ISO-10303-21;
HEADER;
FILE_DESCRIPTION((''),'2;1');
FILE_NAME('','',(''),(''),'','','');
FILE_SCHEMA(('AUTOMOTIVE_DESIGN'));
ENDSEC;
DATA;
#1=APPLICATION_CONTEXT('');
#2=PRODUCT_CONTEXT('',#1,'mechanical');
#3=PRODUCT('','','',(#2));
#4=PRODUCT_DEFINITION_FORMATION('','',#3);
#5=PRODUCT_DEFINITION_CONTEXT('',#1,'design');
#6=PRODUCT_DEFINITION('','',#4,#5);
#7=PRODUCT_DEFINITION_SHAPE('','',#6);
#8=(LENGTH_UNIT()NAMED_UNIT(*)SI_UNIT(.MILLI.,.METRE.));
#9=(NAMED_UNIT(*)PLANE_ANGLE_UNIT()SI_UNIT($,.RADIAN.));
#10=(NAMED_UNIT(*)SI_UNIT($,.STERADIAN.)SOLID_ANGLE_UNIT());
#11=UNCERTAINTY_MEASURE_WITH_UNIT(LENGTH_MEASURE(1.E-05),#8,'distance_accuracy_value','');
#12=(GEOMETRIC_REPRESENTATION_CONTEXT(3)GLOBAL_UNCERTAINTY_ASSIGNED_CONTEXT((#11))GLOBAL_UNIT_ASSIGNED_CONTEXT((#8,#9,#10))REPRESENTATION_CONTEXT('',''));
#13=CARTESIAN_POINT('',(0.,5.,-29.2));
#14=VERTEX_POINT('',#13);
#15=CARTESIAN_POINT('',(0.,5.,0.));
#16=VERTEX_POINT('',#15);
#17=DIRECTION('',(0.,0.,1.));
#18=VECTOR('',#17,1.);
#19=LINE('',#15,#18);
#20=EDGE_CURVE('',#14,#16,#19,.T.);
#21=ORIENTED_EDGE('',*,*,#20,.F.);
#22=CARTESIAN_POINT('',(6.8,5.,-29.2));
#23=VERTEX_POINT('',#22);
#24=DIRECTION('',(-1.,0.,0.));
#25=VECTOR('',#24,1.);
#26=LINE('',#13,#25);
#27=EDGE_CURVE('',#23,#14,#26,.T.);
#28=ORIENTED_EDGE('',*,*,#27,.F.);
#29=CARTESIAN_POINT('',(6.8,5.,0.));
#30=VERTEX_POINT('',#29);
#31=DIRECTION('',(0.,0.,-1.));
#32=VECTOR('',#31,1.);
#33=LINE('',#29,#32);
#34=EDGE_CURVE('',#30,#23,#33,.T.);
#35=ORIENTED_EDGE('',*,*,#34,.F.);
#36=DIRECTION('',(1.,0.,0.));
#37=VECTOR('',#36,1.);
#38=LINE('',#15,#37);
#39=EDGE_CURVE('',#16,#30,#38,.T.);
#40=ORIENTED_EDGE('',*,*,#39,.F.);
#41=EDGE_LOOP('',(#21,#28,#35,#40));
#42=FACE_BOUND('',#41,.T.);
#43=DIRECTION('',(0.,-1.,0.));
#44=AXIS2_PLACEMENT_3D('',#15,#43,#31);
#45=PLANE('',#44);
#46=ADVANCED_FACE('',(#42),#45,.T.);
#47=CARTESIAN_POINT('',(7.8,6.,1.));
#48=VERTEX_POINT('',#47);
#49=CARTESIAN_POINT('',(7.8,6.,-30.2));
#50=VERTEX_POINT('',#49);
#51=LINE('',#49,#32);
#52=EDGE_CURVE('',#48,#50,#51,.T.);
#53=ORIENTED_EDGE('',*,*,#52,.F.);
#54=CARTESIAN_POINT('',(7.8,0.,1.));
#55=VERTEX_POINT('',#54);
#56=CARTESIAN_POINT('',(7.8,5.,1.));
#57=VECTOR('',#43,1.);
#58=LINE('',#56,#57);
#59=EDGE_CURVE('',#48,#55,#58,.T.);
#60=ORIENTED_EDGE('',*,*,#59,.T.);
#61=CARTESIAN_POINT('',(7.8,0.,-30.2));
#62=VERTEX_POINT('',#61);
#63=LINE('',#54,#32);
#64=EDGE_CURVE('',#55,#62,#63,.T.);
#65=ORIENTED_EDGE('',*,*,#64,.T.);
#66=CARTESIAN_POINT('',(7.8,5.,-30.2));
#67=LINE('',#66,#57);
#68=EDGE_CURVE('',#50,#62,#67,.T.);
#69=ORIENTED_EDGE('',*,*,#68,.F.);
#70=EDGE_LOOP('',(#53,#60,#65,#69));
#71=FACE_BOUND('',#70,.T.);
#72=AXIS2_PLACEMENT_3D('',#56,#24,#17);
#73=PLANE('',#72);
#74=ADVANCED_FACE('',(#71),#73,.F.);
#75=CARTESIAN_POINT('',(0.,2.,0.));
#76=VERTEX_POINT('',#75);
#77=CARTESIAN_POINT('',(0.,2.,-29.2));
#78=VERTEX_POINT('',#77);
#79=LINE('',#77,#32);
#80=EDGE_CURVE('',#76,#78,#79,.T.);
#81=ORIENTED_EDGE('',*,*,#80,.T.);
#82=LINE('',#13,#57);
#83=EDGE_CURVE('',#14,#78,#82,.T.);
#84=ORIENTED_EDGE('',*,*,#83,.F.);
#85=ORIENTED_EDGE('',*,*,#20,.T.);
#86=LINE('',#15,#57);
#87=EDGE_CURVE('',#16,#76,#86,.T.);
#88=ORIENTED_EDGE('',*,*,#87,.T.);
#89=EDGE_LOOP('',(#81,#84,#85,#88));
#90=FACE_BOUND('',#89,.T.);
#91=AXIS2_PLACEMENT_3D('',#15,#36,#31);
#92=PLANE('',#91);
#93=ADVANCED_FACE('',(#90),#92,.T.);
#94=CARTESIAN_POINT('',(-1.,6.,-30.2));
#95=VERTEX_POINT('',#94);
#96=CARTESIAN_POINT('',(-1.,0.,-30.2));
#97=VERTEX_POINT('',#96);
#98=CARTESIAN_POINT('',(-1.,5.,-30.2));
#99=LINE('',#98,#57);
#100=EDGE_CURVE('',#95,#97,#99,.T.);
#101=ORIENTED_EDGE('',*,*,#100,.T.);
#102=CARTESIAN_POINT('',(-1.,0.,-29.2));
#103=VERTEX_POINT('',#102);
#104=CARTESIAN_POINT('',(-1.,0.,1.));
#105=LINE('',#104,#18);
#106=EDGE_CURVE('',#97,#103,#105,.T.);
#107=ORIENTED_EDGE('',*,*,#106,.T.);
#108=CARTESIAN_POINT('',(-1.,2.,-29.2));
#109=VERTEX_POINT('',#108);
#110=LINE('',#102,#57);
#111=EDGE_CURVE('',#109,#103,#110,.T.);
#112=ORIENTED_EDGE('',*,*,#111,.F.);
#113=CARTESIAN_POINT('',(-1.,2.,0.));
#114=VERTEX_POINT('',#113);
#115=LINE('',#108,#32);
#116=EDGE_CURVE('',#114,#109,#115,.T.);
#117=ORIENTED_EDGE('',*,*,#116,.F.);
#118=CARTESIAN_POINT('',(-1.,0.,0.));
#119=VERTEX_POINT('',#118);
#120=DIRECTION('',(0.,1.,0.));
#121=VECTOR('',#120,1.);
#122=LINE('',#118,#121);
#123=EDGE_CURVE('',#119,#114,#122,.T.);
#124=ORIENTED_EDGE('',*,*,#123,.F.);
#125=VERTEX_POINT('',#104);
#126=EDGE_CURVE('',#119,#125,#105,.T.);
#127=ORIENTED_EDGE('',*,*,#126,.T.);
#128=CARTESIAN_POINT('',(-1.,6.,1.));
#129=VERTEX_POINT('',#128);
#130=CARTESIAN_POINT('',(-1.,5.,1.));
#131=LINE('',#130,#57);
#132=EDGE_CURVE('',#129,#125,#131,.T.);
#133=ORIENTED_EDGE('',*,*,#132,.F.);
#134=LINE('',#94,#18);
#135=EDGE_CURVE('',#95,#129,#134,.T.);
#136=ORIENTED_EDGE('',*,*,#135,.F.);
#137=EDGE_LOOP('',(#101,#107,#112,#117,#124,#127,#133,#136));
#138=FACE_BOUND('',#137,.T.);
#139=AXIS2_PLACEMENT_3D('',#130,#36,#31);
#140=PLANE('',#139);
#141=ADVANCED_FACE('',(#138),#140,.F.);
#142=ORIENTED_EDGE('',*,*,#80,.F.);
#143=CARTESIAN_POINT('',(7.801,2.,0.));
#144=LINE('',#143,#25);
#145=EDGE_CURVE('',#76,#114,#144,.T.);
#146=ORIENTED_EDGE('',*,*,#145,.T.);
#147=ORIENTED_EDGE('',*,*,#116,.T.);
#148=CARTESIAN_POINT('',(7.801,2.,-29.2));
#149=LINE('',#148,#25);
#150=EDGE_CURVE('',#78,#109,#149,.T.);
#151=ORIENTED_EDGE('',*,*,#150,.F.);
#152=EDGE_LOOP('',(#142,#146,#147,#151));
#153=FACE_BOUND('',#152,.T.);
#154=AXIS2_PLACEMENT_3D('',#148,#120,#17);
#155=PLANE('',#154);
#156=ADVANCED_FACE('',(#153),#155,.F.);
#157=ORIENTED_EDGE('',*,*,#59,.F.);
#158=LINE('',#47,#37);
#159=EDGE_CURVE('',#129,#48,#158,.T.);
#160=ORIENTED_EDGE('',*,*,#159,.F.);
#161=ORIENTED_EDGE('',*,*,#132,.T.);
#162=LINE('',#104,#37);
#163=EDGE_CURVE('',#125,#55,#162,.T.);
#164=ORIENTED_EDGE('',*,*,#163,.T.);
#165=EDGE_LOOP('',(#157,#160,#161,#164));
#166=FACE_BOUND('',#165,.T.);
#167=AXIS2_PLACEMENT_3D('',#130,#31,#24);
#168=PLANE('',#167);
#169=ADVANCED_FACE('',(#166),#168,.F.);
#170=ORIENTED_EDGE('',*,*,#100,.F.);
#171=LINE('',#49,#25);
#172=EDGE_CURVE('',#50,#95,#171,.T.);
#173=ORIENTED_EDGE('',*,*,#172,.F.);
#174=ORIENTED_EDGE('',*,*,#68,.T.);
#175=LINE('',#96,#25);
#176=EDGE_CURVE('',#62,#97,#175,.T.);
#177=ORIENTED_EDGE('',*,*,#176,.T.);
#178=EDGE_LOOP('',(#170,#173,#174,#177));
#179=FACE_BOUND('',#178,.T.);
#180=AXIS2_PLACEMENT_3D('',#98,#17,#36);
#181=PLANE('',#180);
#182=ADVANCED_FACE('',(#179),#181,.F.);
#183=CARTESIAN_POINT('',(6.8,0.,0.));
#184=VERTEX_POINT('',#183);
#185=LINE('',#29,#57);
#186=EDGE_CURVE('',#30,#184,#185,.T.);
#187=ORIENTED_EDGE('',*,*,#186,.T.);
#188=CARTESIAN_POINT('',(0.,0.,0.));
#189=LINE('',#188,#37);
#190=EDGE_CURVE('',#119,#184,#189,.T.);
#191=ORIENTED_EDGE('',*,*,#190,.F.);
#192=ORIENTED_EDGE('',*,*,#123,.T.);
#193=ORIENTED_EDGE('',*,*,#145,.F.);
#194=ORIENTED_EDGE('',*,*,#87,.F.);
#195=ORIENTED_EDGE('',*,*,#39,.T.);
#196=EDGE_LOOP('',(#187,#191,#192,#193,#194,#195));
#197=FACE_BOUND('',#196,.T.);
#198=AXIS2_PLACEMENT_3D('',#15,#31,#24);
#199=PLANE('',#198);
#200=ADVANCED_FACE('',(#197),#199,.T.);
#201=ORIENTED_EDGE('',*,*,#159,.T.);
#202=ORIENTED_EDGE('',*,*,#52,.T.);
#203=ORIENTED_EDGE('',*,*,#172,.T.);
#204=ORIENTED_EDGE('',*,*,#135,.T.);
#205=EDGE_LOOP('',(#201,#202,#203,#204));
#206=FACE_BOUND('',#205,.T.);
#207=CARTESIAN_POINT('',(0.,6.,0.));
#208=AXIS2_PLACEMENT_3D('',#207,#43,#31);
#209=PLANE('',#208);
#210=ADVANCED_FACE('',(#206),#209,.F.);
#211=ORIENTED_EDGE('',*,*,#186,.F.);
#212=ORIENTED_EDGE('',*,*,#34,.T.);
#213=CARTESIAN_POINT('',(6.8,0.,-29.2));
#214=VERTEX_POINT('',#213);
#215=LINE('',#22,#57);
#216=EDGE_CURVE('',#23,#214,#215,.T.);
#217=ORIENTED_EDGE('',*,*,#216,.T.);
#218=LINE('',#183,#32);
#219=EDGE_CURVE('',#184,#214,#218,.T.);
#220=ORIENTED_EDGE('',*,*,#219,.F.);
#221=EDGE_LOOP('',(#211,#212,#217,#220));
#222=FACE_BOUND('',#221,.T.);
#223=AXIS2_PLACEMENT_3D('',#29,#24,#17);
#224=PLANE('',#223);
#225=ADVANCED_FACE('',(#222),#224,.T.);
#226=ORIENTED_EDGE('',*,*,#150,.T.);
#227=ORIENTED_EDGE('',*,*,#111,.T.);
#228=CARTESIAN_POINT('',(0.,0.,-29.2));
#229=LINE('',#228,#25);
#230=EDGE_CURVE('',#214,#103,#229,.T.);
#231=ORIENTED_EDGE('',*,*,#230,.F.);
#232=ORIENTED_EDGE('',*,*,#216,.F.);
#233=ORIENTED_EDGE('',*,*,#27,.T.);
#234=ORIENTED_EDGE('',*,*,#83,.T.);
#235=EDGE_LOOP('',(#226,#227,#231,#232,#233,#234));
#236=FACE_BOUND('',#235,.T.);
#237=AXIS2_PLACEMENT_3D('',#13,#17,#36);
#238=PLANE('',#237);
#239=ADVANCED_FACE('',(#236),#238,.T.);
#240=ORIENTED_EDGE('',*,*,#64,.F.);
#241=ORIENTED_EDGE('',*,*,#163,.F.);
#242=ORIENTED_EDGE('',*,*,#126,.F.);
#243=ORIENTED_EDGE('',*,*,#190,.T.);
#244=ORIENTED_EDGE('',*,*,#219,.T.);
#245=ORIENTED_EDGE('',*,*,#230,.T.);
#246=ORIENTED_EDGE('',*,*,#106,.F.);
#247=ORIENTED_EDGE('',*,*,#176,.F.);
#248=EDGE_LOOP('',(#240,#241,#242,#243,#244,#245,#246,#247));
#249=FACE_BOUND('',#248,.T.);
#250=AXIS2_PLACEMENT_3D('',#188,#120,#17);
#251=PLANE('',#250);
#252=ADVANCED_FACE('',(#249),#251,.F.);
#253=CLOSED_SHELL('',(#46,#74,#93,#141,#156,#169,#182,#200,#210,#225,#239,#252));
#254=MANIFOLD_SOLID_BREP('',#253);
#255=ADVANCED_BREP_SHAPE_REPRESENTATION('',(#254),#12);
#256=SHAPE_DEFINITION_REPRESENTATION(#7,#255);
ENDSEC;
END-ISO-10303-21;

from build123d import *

# Parameters (mm, degrees)
SKETCH1_W           = 8.8
SKETCH1_H           = 31.2
SKETCH1_W_2         = 6.8
SKETCH1_H_2         = 29.2
BOSS_EXTRUDE1_DEPTH = 5
SKETCH2_W           = 8.8
SKETCH2_H           = 31.2
BOSS_EXTRUDE2_DEPTH = 1
CUT_EXTRUDE1_REACH  = 34.023
SKETCH3_W           = 29.2
SKETCH3_H           = 2


with BuildPart() as part:
    # Sketch1 → Boss-Extrude1 (new body)
    with BuildSketch(Plane(origin=(0, 0, 0), x_dir=(1, 0, 0), z_dir=(0, 1, 0))):
        with Locations((3.4, 14.6)):
            Rectangle(SKETCH1_W, SKETCH1_H)
        with Locations((3.4, 14.6)):
            Rectangle(SKETCH1_W_2, SKETCH1_H_2, mode=Mode.SUBTRACT)
    extrude(amount=BOSS_EXTRUDE1_DEPTH)

    # Sketch2 → Boss-Extrude2 (add)
    with BuildSketch(Plane(origin=(0, 5, 0), x_dir=(1, 0, 0), z_dir=(0, 1, 0))):
        with Locations((3.4, 14.6)):
            Rectangle(SKETCH2_W, SKETCH2_H)
    extrude(amount=BOSS_EXTRUDE2_DEPTH)

    # Sketch3 → Cut-Extrude1 (cut, up to next)
    with BuildSketch(Plane.ZY.offset(1), mode=Mode.PRIVATE) as cut_extrude1_sk1:
        with Locations((-14.6, 1)):
            Rectangle(SKETCH3_W, SKETCH3_H)
    cut_extrude1_tool1 = extrude(cut_extrude1_sk1.sketch, amount=-CUT_EXTRUDE1_REACH, mode=Mode.PRIVATE) & part.part
    add(cut_extrude1_tool1.solids().sort_by_distance((-1, 1, -14.6))[0], mode=Mode.SUBTRACT)


solid = part.part
